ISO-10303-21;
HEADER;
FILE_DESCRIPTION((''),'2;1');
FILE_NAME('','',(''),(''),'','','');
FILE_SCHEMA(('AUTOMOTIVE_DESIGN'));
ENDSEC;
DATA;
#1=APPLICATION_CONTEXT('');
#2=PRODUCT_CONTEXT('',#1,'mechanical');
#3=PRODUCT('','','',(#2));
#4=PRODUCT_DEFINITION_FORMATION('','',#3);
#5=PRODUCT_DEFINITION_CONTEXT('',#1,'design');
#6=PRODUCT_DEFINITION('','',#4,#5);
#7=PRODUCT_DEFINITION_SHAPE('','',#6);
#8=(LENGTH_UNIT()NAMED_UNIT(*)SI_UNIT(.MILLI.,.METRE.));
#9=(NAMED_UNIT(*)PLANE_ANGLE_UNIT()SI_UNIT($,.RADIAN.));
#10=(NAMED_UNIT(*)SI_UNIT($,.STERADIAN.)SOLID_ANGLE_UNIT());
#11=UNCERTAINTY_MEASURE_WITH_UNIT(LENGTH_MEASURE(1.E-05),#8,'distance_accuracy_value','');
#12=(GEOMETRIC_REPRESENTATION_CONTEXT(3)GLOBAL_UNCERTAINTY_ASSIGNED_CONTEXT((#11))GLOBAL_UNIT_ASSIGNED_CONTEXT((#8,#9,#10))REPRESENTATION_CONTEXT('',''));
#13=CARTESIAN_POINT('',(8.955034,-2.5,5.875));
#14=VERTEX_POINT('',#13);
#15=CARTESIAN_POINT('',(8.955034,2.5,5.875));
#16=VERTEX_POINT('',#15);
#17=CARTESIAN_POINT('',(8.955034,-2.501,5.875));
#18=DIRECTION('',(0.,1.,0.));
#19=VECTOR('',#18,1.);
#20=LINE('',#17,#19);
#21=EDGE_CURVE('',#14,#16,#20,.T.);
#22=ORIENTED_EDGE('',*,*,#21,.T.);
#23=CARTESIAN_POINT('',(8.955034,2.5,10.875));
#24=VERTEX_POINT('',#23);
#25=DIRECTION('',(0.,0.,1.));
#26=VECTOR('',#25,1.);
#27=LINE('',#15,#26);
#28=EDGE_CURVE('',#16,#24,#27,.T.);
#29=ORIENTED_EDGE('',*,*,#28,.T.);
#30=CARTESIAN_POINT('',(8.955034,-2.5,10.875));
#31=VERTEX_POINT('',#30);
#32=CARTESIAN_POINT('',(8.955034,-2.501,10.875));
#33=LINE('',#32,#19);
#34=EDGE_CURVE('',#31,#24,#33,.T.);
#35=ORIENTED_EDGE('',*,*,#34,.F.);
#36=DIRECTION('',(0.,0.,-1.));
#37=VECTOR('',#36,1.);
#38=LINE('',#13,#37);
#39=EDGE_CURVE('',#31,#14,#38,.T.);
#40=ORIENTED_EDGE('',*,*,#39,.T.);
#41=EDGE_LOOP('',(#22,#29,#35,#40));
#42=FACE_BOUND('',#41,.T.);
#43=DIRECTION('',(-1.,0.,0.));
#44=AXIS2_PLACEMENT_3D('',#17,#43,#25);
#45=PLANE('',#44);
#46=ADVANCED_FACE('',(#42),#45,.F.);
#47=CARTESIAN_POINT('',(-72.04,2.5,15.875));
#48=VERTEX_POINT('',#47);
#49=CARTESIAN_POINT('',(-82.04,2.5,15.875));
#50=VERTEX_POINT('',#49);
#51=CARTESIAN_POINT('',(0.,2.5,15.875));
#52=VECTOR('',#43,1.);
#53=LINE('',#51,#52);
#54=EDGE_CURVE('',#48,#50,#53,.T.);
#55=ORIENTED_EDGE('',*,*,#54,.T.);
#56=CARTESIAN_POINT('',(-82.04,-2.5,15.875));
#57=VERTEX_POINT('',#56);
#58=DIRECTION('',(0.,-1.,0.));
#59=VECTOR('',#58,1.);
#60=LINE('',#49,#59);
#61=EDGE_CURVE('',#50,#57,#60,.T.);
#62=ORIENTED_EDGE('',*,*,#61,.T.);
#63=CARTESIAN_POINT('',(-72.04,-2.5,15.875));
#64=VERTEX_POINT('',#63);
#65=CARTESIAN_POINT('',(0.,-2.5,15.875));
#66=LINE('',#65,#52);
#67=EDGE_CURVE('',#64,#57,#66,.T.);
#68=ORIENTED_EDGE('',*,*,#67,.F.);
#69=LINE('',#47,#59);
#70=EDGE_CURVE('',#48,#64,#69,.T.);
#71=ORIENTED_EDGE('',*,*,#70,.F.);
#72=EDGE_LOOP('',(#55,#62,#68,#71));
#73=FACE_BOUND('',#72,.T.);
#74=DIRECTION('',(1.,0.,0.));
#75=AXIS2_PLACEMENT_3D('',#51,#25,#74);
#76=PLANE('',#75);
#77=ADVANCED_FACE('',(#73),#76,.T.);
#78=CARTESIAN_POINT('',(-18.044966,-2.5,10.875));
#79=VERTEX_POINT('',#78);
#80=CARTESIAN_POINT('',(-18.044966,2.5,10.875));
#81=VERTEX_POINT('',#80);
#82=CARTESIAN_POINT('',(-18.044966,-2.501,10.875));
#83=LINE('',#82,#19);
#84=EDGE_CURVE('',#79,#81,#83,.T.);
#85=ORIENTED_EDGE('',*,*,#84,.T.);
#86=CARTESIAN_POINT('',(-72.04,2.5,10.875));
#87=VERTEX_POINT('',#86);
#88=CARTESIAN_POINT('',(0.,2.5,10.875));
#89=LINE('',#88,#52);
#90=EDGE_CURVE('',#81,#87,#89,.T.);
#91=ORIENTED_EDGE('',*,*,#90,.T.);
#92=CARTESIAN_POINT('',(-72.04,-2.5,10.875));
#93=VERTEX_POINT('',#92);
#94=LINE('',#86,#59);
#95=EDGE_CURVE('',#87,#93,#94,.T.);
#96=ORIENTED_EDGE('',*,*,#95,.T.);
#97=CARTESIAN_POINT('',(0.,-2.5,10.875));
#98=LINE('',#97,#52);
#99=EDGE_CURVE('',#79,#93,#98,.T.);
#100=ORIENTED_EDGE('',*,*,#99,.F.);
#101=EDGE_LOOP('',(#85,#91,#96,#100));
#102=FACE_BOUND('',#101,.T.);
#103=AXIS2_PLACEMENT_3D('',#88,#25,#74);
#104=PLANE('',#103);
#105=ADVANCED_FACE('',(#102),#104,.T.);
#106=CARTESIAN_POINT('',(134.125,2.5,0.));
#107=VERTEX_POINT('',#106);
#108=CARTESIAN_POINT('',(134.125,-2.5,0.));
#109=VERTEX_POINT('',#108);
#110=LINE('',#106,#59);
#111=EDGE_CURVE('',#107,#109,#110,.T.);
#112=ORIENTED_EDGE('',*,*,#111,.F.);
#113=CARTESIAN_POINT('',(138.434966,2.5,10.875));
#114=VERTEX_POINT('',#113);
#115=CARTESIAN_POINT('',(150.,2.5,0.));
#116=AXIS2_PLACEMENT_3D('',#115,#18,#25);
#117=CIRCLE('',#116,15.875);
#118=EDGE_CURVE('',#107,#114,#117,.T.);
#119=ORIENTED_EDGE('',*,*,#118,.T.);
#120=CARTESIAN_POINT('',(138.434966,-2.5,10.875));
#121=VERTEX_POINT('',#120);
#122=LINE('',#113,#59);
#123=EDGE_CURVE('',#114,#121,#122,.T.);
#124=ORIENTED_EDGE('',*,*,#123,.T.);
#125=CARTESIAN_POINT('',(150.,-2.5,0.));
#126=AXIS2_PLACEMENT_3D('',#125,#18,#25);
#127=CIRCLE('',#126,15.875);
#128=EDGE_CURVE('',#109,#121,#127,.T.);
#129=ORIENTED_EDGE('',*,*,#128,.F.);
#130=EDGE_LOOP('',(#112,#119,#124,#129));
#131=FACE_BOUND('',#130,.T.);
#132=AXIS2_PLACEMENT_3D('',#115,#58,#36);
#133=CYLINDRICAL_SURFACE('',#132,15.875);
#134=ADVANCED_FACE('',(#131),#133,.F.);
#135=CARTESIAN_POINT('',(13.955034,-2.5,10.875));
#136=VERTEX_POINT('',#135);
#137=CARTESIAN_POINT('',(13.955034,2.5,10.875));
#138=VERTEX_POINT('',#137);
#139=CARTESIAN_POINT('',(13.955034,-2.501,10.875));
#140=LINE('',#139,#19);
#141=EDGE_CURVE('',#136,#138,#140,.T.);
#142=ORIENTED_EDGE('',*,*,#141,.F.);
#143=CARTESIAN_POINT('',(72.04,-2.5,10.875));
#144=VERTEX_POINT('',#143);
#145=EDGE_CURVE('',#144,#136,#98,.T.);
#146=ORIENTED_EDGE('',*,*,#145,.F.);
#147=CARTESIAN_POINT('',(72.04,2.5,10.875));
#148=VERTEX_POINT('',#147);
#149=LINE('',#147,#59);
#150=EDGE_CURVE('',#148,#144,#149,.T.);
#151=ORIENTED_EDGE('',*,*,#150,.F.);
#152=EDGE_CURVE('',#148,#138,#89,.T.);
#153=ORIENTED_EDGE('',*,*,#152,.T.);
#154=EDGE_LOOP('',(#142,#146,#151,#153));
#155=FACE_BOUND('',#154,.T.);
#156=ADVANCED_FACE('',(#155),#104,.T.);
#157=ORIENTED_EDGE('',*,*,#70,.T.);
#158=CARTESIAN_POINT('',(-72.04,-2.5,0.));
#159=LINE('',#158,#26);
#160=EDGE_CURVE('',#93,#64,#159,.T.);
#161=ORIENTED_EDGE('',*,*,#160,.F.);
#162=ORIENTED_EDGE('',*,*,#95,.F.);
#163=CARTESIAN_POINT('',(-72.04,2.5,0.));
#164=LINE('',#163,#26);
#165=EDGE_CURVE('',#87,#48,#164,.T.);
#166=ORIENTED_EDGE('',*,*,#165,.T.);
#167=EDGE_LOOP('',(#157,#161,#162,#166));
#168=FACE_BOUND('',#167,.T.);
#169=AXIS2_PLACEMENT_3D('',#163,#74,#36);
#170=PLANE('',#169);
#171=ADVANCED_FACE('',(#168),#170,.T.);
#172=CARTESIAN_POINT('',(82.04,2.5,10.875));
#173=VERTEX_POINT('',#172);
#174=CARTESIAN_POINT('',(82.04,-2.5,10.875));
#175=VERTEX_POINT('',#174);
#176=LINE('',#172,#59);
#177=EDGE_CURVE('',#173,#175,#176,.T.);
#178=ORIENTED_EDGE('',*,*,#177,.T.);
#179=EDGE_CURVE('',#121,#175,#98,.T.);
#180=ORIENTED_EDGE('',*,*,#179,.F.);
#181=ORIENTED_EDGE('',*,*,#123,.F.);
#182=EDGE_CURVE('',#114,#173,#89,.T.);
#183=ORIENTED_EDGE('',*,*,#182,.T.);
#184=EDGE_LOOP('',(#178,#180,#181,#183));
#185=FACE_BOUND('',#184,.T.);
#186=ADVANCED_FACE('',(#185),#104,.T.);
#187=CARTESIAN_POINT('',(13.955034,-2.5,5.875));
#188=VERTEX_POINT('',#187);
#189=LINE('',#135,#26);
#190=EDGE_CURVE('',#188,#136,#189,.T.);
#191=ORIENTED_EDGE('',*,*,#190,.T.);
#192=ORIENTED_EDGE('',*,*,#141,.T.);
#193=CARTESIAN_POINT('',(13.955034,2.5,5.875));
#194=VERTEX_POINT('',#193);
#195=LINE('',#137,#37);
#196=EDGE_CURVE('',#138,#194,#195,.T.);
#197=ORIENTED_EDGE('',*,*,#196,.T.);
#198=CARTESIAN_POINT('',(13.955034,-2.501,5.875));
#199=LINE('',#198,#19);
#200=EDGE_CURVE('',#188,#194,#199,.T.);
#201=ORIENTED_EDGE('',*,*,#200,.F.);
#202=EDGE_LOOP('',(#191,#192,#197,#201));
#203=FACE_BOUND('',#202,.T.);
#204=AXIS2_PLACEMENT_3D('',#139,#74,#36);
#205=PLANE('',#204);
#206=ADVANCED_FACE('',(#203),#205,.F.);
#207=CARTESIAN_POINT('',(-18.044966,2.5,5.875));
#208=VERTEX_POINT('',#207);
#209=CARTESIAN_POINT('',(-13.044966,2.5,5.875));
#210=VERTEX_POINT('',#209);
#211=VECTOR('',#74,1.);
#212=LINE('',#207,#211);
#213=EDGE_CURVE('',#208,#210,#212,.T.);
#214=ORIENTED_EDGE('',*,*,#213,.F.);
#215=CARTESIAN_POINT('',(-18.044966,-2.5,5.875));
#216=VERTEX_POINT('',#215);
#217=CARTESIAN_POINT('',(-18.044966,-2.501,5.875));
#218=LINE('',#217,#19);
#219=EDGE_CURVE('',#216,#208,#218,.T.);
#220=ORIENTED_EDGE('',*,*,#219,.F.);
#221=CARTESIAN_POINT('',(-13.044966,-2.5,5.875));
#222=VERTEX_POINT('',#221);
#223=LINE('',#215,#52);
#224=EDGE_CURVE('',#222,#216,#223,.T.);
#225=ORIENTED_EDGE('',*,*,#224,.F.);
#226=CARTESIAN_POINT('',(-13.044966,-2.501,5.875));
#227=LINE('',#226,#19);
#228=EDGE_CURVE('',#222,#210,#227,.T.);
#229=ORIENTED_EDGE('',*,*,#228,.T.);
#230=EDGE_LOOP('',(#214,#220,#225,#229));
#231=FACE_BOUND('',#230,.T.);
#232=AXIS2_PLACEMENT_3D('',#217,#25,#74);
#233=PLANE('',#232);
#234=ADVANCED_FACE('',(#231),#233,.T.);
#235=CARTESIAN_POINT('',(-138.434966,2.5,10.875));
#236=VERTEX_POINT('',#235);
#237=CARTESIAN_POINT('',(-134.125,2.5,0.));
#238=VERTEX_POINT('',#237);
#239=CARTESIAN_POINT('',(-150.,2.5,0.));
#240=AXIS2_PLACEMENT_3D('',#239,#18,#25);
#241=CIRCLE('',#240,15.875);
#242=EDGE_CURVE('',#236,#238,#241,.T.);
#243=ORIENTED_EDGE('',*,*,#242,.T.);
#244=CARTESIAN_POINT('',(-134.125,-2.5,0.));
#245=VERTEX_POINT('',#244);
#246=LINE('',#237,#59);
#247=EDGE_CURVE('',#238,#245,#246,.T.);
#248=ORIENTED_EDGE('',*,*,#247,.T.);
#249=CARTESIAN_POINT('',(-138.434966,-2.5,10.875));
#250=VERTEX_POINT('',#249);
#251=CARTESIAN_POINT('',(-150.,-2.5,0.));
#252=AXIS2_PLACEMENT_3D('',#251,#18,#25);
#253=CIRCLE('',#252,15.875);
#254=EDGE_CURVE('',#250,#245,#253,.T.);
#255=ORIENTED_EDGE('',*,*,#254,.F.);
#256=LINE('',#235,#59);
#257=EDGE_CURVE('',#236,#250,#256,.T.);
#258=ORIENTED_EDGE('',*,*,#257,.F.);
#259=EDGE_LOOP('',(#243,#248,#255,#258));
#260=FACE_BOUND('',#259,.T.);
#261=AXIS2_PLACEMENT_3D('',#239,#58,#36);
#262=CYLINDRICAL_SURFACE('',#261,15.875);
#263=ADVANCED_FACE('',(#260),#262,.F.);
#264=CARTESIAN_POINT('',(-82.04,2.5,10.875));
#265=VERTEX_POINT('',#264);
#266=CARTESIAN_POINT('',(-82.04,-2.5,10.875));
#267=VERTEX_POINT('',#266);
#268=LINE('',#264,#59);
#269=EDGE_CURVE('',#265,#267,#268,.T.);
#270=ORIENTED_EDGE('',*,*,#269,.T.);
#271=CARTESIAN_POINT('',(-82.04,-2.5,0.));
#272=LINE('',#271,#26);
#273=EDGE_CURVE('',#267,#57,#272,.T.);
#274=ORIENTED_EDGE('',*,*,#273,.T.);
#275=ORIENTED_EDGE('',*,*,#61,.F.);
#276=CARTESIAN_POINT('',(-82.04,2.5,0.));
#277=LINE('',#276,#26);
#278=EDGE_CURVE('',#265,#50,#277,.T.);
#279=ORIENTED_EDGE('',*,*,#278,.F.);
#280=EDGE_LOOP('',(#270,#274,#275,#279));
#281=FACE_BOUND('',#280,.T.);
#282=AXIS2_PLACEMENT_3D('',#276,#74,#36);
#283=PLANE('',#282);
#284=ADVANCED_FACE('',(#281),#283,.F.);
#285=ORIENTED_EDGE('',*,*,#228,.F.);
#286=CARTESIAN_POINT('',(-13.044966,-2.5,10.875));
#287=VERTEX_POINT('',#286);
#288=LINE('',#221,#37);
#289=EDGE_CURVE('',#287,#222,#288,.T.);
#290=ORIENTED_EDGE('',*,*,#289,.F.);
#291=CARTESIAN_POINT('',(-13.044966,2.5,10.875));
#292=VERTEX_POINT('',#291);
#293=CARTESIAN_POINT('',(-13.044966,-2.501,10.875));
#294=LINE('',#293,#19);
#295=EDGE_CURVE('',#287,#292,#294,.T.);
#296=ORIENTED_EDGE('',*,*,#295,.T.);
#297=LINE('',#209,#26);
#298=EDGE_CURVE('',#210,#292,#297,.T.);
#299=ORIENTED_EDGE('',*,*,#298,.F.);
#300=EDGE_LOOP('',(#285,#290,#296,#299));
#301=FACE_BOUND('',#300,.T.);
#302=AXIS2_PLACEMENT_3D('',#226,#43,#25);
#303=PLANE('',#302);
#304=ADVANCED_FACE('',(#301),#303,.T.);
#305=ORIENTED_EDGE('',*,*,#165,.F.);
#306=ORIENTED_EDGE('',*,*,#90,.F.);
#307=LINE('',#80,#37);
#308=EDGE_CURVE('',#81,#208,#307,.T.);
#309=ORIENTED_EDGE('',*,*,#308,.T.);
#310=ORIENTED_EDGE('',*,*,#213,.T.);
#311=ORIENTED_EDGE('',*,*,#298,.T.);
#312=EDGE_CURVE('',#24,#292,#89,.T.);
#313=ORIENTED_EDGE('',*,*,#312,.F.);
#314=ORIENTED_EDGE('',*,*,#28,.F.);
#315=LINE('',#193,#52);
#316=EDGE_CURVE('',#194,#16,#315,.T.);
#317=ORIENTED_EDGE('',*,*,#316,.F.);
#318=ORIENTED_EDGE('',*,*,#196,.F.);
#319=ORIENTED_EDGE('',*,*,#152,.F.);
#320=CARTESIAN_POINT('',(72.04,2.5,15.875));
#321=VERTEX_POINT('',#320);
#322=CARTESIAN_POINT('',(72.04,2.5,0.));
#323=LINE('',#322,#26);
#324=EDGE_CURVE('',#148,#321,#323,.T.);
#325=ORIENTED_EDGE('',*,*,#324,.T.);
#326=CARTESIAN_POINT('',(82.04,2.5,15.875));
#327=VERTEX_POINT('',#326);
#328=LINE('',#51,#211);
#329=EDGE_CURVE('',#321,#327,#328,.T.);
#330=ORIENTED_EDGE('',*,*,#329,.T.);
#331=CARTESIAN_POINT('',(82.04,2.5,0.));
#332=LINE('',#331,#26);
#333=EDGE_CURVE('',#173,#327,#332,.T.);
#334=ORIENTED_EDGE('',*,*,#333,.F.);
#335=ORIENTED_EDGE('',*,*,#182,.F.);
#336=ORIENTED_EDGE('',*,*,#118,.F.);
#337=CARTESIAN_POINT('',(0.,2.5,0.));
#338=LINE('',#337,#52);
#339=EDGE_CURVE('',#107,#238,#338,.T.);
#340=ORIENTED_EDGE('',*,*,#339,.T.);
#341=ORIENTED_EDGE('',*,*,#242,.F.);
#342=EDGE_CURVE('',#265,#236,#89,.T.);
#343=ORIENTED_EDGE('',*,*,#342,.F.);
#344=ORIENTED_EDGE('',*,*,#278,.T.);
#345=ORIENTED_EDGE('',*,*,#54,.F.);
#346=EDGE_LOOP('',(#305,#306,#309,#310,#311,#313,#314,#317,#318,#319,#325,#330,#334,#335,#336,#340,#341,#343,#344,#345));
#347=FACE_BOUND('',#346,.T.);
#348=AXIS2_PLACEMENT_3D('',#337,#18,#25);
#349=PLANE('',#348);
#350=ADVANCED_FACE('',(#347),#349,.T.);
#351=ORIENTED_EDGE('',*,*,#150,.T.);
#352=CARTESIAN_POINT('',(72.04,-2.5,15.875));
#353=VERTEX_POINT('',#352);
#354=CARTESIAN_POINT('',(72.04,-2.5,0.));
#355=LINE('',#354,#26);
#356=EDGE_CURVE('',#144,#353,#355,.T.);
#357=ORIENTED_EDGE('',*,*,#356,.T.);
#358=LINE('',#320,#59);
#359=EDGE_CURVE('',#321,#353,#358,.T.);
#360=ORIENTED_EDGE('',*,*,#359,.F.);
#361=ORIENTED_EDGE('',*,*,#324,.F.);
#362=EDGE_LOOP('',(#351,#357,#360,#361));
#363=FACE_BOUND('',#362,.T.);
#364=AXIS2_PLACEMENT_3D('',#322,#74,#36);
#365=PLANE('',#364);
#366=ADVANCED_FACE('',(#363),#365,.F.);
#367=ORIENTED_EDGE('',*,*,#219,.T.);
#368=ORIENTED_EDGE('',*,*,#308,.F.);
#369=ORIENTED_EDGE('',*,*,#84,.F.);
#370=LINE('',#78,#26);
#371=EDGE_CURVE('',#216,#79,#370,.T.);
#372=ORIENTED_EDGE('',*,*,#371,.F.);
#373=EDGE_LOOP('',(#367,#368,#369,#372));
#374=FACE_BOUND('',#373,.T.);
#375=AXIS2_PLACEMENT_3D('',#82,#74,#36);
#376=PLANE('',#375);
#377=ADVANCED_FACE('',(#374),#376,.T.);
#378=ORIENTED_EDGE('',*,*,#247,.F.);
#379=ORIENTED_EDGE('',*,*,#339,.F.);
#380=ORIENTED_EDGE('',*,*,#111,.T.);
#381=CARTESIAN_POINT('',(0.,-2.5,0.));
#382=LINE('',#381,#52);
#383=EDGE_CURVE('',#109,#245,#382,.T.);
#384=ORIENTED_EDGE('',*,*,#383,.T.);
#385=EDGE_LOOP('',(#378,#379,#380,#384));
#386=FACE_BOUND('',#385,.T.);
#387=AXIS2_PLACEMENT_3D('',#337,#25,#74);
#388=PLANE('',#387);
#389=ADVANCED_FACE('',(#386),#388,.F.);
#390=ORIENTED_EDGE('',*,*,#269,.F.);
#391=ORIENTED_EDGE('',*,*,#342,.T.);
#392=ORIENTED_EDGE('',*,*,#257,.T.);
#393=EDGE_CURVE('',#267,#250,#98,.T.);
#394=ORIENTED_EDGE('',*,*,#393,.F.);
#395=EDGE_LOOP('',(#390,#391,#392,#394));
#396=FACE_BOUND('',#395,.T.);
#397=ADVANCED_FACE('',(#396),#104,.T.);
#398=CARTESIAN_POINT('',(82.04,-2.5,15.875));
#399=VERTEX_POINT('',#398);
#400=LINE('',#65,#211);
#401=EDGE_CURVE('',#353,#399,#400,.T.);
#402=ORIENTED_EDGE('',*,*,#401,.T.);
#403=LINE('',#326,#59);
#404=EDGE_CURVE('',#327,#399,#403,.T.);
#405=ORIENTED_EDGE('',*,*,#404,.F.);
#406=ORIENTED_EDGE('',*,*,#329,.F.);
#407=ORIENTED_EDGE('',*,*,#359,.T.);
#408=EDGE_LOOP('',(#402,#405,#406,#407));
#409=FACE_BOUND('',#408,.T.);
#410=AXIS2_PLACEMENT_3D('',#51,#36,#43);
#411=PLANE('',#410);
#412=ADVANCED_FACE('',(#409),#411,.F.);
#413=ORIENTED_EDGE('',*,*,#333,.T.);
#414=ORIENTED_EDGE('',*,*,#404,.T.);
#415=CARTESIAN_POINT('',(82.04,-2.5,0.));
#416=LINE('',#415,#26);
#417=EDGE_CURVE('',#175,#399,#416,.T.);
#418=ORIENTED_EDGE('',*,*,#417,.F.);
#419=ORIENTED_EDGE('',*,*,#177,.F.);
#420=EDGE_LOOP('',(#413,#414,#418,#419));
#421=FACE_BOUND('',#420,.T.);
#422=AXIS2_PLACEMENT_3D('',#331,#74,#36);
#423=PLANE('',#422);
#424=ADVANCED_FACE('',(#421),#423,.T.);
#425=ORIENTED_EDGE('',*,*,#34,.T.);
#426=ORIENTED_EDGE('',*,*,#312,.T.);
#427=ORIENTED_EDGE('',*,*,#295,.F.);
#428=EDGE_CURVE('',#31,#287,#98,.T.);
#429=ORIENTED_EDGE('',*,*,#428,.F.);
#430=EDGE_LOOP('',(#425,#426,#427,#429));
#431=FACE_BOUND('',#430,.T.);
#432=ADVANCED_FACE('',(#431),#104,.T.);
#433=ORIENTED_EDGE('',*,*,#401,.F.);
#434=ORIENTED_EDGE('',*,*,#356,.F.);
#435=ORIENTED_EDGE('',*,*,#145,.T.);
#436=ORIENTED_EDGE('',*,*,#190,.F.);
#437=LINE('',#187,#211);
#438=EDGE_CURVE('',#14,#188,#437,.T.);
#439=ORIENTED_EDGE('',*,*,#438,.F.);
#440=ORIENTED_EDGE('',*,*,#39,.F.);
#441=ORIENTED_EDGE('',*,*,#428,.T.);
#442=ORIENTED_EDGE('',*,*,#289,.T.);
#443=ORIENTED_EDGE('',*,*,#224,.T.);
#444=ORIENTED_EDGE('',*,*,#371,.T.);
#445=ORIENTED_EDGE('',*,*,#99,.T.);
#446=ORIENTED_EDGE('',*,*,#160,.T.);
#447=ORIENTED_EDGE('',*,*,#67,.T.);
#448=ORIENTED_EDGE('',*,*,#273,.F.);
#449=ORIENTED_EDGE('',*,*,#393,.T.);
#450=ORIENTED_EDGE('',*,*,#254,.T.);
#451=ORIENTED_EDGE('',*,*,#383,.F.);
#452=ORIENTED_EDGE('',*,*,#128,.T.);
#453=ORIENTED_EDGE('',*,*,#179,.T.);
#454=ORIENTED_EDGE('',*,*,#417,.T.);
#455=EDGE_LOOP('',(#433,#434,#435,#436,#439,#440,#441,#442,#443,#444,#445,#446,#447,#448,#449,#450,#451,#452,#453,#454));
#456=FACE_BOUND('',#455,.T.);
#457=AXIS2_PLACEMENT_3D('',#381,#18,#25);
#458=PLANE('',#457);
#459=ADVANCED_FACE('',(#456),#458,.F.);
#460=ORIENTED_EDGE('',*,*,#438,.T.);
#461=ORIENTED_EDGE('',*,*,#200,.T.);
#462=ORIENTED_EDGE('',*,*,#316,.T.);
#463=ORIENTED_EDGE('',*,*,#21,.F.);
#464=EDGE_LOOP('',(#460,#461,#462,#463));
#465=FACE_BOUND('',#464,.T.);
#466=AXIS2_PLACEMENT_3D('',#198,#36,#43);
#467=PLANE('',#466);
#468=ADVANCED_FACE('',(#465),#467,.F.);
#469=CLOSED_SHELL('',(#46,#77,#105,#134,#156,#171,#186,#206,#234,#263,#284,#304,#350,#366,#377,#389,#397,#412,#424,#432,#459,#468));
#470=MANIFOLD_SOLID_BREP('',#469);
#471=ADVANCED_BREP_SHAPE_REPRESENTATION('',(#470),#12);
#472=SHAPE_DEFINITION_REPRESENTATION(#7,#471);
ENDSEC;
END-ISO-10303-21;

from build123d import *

# Parameters (mm, degrees)
SKETCH1_W           = 10
SKETCH1_H           = 5
BOSS_EXTRUDE1_DEPTH = 2.5
CUT_EXTRUDE2_REACH  = 141.432
SKETCH2_W           = 5
SKETCH2_H           = 5


with BuildPart() as part:
    # Sketch1 → Boss-Extrude1 (new, symmetric)
    with BuildSketch(Plane(origin=(0, 0, 0), x_dir=(-1, 0, 0), z_dir=(0, 1, 0))):
        with BuildLine():
            ThreePointArc((138.434966494, 10.875), (135.24177294, 5.848962219), (134.125, 0))
            Line((134.125, 0), (-134.125, 0))
            ThreePointArc((-134.125, 0), (-135.24177294, 5.848962219), (-138.434966494, 10.875))
            Line((-138.434966494, 10.875), (138.434966494, 10.875))
        make_face()
        with Locations((-77.04, 13.375)):
            Rectangle(SKETCH1_W, SKETCH1_H)
        with Locations((77.04, 13.375)):
            Rectangle(SKETCH1_W, SKETCH1_H)
    extrude(amount=BOSS_EXTRUDE1_DEPTH, both=True)

    # Sketch2 → Cut-Extrude2 (cut, up to next)
    with BuildSketch(Plane(origin=(0, 2.5, 0), x_dir=(-1, 0, 0), z_dir=(0, 1, 0)), mode=Mode.PRIVATE) as cut_extrude2_sk1:
        with Locations((-11.455033506, 8.375)):
            Rectangle(SKETCH2_W, SKETCH2_H)
    cut_extrude2_tool1 = extrude(cut_extrude2_sk1.sketch, amount=-CUT_EXTRUDE2_REACH, mode=Mode.PRIVATE) & part.part
    # Sketch2 → Cut-Extrude2 (cut, up to next)
    with BuildSketch(Plane(origin=(0, 2.5, 0), x_dir=(-1, 0, 0), z_dir=(0, 1, 0)), mode=Mode.PRIVATE) as cut_extrude2_sk2:
        with Locations((15.544966494, 8.375)):
            Rectangle(SKETCH2_W, SKETCH2_H)
    cut_extrude2_tool2 = extrude(cut_extrude2_sk2.sketch, amount=-CUT_EXTRUDE2_REACH, mode=Mode.PRIVATE) & part.part
    add(cut_extrude2_tool1.solids().sort_by_distance((11.455034, 2.5, 8.375))[0], mode=Mode.SUBTRACT)
    add(cut_extrude2_tool2.solids().sort_by_distance((-15.544966, 2.5, 8.375))[0], mode=Mode.SUBTRACT)


solid = part.part
